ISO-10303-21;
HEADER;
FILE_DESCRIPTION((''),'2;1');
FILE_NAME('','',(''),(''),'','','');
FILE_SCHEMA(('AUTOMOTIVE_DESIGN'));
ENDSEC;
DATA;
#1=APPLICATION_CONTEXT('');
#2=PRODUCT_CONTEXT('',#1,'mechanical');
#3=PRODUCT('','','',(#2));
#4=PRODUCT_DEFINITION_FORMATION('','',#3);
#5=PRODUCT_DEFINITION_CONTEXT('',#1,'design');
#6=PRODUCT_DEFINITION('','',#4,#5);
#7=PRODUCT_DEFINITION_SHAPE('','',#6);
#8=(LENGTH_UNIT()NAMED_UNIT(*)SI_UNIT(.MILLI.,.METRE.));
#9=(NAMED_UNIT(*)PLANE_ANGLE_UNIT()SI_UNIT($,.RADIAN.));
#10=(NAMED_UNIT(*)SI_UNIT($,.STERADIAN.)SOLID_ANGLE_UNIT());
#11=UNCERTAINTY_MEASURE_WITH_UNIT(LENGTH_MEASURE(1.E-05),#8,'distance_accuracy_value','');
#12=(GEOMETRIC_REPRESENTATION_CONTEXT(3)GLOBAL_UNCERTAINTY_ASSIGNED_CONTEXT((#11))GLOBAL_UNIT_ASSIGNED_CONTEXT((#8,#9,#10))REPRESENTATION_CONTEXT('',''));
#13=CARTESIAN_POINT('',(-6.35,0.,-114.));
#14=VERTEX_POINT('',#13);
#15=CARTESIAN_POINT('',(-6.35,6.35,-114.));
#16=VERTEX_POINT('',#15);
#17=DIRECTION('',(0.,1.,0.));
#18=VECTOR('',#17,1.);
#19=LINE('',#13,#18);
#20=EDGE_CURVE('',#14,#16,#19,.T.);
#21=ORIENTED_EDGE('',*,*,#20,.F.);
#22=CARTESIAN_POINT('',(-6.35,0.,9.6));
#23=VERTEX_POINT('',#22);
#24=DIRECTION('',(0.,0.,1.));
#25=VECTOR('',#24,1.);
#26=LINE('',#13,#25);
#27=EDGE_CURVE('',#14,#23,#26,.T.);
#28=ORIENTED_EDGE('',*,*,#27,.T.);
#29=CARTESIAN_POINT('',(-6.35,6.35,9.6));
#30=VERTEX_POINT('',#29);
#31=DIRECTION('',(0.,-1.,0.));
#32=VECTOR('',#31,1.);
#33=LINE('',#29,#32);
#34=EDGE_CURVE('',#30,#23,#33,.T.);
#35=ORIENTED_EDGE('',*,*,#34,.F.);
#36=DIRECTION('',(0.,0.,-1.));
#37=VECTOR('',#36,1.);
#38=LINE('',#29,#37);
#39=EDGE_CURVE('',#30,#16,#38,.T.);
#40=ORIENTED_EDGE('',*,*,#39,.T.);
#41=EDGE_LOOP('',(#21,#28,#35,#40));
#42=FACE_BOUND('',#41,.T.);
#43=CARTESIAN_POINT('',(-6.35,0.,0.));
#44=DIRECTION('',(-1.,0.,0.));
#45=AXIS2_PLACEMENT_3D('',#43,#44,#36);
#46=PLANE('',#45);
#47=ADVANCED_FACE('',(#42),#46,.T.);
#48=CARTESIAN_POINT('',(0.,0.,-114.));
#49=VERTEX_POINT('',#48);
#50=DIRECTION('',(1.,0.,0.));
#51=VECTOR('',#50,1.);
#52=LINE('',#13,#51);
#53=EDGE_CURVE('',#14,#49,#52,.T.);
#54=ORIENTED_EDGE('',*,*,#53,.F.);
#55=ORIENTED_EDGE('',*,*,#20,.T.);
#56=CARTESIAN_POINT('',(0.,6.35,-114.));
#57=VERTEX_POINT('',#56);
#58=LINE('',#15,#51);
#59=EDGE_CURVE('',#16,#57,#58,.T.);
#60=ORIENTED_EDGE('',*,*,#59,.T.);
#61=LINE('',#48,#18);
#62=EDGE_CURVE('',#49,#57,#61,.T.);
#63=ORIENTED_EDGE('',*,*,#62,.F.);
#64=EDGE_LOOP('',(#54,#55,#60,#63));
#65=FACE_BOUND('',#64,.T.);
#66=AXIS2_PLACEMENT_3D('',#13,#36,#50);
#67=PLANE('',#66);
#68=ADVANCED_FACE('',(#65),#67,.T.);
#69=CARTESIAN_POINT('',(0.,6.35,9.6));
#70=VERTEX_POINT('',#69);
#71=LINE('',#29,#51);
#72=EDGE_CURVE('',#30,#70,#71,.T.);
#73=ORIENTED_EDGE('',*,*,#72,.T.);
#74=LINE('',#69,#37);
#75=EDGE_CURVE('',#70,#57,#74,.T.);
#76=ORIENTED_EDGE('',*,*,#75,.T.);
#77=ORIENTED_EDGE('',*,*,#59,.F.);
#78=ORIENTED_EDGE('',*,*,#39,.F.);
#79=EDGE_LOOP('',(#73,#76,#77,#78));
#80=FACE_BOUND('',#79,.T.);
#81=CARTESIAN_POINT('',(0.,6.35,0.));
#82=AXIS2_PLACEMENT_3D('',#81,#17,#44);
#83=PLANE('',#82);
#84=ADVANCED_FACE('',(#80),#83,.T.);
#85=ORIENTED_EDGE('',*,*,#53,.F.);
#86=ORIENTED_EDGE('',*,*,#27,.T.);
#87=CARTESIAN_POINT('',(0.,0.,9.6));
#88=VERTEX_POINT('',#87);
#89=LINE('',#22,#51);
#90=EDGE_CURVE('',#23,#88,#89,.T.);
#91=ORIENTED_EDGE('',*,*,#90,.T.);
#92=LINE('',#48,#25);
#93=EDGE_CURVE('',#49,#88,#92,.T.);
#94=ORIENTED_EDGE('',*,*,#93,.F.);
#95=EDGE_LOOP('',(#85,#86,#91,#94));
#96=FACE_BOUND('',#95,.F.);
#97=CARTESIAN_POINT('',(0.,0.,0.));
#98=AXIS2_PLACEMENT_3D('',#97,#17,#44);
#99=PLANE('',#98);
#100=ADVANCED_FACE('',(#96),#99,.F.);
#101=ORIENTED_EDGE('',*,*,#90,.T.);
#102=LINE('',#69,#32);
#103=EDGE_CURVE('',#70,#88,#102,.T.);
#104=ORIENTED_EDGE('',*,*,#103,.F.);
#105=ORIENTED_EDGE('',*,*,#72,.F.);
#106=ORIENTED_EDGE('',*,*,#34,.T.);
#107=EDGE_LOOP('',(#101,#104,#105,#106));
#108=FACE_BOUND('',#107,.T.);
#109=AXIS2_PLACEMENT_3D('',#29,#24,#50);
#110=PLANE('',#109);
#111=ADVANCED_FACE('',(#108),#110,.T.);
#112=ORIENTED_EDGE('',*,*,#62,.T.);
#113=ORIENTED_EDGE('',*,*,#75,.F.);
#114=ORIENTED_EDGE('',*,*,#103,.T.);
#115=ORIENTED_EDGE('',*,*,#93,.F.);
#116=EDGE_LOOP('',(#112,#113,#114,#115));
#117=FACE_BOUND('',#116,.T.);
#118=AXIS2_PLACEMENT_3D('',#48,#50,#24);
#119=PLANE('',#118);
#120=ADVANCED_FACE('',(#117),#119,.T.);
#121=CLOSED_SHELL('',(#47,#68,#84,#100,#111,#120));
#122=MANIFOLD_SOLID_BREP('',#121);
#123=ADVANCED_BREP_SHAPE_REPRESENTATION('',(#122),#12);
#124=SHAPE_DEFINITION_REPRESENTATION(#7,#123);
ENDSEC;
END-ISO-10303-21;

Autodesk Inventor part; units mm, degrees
ref_plane "YZ Plane" through (0, 0, 0) normal (1, 0, 0) x (0, 1, 0)
ref_plane "XZ Plane" through (0, 0, 0) normal (0, 1, 0) x (-1, 0, 0)
ref_plane "XY Plane" through (0, 0, 0) normal (0, 0, 1) x (1, 0, 0)
sketch "Sketch1" plane through (0, 0, 0) normal (0, 1, 0) x (-1, 0, 0)
  line L0 (0, 0) -> (6.35, 0)
  line L1 (6.35, 0) -> (6.35, -114)
  line L2 (6.35, -114) -> (0, -114)
  line L3 (0, -114) -> (0, 0)
  dimension "d0" = 6.35
  dimension "d1" = 114
extrude "Extrusion1" add sketch "Sketch1" along normal blind 6.35
sketch "Sketch2" plane through (0, 6.35, 0) normal (0, 1, 0) x (1, 0, 0)
  line L0 (-6.35, 114) -> (-6.35, 0) projected
  line L1 (-6.35, 0) -> (-6.35, -9.6)
  line L2 (-6.35, -9.6) -> (0, -9.6)
  line L3 (0, -9.6) -> (0, 0)
  line L4 (0, 0) -> (-6.35, 0)
  dimension "d7" = 9.6
extrude "Extrusion2" add sketch "Sketch2" against normal blind 6.35
properties part number "TopTop"
